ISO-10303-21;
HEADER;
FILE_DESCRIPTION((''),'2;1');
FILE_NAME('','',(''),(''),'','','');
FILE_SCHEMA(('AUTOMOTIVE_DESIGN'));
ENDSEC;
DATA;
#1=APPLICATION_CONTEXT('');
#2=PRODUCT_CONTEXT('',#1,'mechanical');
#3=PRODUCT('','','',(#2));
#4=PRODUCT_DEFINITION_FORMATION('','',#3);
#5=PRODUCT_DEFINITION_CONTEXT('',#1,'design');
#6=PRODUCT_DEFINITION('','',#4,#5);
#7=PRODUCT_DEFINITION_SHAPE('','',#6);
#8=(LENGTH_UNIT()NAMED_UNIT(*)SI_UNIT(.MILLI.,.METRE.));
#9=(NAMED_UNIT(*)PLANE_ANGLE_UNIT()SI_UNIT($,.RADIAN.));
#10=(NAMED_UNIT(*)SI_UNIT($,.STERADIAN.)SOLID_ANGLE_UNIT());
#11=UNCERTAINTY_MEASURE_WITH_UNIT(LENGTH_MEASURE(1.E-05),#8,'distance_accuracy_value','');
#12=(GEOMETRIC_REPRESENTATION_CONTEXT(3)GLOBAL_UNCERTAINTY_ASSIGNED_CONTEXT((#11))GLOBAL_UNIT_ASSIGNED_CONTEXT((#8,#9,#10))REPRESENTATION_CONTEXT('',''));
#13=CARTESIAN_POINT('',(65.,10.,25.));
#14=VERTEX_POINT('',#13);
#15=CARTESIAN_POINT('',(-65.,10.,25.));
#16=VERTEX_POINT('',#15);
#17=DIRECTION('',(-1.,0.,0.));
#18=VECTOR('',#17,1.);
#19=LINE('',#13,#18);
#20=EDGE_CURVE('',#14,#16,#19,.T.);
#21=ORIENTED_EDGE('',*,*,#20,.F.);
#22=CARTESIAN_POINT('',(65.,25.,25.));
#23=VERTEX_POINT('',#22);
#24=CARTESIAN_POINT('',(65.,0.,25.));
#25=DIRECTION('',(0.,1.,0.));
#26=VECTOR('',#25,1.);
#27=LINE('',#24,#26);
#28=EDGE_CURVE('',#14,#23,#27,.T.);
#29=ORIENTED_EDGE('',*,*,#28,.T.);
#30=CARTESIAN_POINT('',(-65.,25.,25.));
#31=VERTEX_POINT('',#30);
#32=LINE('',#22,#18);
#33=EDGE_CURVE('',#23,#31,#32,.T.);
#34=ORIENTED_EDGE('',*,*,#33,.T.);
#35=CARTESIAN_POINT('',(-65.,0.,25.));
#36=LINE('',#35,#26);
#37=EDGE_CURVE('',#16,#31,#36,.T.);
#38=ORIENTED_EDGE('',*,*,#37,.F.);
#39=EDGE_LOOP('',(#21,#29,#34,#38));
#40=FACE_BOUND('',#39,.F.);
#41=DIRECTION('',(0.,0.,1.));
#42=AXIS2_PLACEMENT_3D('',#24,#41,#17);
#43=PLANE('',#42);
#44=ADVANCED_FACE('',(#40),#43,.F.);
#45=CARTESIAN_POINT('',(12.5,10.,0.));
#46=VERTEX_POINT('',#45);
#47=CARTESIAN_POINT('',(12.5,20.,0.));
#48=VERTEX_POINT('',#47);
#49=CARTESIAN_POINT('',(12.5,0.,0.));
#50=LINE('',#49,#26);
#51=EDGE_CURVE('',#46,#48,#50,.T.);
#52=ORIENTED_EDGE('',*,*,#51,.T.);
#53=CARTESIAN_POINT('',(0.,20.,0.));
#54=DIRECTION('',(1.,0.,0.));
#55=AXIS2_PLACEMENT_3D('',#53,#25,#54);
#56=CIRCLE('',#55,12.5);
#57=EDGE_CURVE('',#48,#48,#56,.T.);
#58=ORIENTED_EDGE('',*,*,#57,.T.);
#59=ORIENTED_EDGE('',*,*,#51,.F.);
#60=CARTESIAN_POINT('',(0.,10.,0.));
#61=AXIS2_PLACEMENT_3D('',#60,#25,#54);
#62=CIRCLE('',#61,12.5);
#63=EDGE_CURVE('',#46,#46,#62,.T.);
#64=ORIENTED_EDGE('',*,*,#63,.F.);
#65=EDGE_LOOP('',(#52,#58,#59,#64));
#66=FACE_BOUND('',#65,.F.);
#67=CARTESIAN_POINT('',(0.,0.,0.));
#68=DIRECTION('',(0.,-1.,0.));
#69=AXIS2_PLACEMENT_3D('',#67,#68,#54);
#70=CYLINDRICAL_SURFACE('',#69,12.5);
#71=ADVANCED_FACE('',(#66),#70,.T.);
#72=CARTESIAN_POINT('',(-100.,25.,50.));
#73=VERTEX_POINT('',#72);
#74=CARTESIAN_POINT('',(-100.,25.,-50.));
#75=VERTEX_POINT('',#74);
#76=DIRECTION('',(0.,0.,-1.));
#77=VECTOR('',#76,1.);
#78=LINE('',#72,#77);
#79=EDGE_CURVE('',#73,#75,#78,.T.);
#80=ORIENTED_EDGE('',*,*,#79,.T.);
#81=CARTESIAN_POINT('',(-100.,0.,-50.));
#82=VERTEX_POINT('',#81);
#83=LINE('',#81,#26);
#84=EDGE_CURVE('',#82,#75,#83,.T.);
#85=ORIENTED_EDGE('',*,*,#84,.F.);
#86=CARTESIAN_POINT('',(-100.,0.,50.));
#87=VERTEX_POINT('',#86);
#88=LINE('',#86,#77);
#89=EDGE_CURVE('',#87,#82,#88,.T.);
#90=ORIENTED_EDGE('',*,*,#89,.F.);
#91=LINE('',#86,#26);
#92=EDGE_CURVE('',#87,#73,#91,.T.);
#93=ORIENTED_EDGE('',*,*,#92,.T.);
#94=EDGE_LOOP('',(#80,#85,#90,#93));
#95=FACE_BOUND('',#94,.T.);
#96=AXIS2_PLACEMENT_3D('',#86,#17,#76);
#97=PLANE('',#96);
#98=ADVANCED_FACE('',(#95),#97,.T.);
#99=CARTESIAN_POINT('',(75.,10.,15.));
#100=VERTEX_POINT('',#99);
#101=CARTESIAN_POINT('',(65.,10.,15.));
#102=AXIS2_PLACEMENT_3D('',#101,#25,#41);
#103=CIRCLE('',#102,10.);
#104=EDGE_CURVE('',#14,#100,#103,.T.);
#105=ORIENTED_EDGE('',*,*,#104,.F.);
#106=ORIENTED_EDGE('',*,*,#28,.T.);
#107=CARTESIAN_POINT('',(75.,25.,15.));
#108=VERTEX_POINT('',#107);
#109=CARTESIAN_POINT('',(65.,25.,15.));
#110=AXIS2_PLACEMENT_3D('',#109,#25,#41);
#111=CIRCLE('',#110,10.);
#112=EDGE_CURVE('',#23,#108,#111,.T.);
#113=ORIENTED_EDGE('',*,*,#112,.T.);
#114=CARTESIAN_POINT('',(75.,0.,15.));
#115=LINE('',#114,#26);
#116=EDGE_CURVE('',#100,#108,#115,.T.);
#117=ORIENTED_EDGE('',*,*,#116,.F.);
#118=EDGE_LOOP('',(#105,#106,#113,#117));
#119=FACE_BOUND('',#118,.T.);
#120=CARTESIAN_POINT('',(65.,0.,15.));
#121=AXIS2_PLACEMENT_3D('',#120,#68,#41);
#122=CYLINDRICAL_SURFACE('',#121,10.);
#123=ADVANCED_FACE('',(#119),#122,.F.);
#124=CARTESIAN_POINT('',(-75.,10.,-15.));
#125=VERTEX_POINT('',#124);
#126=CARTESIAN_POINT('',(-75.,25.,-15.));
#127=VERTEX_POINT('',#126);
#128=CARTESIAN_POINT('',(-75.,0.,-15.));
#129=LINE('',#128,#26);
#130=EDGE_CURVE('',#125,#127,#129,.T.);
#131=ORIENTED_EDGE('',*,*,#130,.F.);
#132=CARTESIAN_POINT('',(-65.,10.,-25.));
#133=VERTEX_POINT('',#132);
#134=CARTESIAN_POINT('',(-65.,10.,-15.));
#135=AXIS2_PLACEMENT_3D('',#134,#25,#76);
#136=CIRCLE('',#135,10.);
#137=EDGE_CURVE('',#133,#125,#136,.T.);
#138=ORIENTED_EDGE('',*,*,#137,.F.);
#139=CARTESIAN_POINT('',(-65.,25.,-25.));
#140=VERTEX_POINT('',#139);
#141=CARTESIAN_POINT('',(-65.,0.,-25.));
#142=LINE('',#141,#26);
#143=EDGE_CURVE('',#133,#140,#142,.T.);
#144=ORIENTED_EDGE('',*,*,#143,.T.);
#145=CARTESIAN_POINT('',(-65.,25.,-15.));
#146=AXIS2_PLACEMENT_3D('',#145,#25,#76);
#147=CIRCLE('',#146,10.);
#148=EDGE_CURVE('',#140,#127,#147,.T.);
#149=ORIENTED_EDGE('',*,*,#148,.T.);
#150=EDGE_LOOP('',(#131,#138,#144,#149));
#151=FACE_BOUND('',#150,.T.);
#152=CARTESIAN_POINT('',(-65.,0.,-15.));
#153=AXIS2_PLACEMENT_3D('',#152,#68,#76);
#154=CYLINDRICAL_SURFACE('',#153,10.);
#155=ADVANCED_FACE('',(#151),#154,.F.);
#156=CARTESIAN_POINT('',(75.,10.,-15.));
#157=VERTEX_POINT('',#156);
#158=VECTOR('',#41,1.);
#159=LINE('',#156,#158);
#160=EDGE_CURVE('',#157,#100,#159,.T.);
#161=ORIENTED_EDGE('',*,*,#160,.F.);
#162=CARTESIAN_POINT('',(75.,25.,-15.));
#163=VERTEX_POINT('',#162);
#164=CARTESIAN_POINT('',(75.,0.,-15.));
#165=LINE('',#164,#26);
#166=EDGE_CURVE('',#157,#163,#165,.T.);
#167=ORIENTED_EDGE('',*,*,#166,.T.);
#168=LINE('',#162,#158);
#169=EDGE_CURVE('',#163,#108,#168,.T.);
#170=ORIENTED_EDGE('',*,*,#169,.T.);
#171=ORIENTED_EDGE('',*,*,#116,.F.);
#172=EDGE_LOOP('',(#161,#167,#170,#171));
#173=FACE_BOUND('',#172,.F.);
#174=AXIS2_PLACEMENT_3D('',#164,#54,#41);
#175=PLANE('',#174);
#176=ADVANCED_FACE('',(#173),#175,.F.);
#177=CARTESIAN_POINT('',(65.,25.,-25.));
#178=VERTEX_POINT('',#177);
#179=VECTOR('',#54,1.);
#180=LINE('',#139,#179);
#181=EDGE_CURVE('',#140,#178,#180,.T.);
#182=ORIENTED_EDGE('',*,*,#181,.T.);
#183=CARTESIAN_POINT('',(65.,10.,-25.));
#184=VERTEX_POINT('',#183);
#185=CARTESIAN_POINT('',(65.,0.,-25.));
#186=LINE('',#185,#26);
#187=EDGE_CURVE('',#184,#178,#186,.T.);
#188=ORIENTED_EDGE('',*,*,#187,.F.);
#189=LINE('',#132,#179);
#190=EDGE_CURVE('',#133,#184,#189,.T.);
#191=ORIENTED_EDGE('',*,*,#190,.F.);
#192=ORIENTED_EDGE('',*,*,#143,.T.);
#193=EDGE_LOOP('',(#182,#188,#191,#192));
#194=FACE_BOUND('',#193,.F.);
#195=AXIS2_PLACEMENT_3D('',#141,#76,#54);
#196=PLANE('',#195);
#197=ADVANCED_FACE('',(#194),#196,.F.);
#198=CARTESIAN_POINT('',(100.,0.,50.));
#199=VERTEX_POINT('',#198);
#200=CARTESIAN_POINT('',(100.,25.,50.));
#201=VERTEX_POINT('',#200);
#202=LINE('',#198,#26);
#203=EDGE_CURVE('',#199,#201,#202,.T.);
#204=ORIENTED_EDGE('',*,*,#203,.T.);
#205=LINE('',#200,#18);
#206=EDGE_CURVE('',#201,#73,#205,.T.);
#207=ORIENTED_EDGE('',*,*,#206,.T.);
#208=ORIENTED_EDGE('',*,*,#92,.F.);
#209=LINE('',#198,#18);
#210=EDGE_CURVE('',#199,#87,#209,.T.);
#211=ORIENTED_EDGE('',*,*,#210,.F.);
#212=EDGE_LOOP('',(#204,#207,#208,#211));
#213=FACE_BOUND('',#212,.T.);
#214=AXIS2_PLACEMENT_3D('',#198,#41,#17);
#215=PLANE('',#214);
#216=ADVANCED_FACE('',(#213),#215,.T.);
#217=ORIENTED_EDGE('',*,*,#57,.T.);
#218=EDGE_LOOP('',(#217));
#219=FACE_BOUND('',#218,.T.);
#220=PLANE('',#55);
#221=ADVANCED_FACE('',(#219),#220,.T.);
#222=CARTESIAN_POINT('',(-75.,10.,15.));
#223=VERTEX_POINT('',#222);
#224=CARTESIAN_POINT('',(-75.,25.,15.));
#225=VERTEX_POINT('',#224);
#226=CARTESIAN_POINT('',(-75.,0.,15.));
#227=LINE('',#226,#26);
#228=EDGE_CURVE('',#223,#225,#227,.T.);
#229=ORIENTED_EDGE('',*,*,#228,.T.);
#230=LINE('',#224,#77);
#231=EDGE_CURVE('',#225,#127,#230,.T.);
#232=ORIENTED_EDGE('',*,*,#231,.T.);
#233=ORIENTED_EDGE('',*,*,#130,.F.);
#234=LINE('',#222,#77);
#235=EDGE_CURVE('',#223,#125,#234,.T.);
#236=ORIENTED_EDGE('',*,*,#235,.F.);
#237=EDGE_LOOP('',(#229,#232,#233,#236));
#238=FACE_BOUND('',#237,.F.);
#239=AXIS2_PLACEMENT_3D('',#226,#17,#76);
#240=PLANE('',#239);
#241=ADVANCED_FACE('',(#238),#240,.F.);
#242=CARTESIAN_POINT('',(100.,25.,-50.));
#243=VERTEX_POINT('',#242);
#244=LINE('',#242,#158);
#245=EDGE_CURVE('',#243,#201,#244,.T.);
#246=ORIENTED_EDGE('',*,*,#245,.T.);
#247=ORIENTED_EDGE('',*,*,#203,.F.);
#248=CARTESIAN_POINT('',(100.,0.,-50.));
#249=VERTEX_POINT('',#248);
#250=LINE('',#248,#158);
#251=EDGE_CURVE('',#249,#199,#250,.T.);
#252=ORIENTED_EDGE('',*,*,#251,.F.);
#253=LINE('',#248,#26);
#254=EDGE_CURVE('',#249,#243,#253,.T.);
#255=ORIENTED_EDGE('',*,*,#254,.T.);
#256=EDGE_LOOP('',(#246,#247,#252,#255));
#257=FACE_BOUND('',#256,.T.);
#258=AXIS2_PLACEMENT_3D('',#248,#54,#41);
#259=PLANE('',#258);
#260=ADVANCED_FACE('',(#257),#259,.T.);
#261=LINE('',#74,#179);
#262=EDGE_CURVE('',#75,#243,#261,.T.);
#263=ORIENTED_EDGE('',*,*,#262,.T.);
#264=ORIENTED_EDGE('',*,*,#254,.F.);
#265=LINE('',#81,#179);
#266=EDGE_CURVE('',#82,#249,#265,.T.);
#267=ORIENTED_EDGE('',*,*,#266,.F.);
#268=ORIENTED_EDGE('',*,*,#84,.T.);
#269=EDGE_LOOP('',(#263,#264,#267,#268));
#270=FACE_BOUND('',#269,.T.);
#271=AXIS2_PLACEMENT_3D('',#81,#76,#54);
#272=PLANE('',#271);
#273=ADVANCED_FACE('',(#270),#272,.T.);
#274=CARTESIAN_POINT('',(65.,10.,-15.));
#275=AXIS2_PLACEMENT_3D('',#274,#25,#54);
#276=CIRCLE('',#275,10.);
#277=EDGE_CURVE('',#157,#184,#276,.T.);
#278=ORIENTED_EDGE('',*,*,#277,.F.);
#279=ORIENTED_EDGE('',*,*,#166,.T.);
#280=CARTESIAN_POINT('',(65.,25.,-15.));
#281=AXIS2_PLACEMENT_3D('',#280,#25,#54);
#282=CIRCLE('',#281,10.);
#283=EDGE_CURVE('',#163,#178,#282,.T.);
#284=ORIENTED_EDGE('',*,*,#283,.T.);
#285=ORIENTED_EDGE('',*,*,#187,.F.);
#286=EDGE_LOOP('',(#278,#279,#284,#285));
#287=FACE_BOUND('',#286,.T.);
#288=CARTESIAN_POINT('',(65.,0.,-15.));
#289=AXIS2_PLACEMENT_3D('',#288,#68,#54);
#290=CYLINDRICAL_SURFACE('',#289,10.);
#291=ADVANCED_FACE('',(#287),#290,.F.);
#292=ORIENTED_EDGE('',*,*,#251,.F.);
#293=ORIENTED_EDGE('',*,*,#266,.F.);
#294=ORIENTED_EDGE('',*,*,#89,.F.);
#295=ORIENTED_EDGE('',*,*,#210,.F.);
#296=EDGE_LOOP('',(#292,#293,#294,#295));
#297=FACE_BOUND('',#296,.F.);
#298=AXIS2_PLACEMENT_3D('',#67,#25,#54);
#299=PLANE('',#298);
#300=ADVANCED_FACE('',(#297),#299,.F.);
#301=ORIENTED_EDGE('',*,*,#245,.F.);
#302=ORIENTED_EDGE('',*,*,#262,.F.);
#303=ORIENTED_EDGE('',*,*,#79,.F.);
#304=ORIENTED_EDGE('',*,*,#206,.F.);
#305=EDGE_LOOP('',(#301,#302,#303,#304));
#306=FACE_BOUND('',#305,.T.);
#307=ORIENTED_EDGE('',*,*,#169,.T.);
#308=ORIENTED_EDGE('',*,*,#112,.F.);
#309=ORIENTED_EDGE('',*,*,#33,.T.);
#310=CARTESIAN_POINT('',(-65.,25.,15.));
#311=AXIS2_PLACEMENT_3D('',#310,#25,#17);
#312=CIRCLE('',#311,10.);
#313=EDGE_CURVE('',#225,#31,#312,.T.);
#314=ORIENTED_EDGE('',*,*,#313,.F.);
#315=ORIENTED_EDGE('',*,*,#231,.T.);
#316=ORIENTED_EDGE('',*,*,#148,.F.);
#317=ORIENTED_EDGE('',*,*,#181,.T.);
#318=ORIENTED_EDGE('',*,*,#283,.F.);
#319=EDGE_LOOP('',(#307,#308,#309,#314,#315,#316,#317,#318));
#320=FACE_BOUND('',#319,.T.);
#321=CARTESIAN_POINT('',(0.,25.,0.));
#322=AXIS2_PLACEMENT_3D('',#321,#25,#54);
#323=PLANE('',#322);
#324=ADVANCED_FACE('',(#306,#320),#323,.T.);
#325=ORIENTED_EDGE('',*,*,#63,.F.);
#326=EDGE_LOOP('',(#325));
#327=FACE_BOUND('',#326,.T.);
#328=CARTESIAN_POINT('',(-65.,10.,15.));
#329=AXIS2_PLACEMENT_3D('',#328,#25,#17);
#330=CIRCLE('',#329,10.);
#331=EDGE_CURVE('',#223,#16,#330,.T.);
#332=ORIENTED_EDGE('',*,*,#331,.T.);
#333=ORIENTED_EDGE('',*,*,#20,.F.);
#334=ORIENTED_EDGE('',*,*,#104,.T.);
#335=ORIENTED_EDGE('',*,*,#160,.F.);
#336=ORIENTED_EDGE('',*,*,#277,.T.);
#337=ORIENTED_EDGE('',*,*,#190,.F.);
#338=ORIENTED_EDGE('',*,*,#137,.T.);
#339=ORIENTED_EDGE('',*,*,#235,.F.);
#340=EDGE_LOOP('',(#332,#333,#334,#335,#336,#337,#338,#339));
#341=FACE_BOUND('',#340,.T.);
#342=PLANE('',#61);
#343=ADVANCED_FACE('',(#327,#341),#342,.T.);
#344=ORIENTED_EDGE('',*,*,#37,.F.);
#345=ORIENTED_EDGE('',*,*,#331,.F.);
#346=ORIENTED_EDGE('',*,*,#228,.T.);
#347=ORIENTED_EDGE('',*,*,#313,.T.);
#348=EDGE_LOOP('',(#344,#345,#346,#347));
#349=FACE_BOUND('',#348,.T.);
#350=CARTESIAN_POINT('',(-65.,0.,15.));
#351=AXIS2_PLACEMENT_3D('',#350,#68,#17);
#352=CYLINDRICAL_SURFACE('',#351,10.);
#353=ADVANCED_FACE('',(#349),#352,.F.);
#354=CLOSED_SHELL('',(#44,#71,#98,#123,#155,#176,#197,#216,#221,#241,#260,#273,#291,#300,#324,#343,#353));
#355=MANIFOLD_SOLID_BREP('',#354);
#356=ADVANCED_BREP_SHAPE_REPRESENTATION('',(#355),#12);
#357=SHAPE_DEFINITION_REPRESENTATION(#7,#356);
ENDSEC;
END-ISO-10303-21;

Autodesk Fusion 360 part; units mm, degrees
sketch "Sketch1" plane through (0, 0, 0) normal (0, 1, 0) x (1, 0, 0)
  line L0 (100, -50) -> (-100, -50)
  line L1 (-100, -50) -> (-100, 50)
  line L2 (-100, 50) -> (100, 50)
  line L3 (100, 50) -> (100, -50)
  line L4 (100, -50) -> (-100, 50) construction
  line L5 (-100, -50) -> (100, 50) construction
  line L6 (65, -25) -> (-65, -25)
  line L7 (-75, -15) -> (-75, 15)
  line L8 (-65, 25) -> (65, 25)
  line L9 (75, 15) -> (75, -15)
  line L10 (75, -25) -> (-75, 25) construction
  line L11 (-75, -25) -> (75, 25) construction
  circle A0 centre (0, 0) radius 12.5
  arc A1 (-65, 25) -> (-75, 15) centre (-65, 15) ccw
  arc A2 (-75, -15) -> (-65, -25) centre (-65, -15) ccw
  arc A3 (65, -25) -> (75, -15) centre (65, -15) ccw
  arc A4 (75, 15) -> (65, 25) centre (65, 15) ccw
  dimension "d1" = 200
  dimension "d2" = 100
  dimension "d3" = 150
  dimension "d4" = 50
  dimension "d5" = 25
  dimension "d6" = 10
extrude "Extrude1" add sketch "Sketch1" along normal blind 25 contours L0 L1 L2 L3
extrude "Extrude2" add sketch "Sketch1" along normal blind 10 contours L6 L7 L8 L9 A1 A2 A3 A4
extrude "Extrude3" add sketch "Sketch1" along normal blind 20 contours A0
